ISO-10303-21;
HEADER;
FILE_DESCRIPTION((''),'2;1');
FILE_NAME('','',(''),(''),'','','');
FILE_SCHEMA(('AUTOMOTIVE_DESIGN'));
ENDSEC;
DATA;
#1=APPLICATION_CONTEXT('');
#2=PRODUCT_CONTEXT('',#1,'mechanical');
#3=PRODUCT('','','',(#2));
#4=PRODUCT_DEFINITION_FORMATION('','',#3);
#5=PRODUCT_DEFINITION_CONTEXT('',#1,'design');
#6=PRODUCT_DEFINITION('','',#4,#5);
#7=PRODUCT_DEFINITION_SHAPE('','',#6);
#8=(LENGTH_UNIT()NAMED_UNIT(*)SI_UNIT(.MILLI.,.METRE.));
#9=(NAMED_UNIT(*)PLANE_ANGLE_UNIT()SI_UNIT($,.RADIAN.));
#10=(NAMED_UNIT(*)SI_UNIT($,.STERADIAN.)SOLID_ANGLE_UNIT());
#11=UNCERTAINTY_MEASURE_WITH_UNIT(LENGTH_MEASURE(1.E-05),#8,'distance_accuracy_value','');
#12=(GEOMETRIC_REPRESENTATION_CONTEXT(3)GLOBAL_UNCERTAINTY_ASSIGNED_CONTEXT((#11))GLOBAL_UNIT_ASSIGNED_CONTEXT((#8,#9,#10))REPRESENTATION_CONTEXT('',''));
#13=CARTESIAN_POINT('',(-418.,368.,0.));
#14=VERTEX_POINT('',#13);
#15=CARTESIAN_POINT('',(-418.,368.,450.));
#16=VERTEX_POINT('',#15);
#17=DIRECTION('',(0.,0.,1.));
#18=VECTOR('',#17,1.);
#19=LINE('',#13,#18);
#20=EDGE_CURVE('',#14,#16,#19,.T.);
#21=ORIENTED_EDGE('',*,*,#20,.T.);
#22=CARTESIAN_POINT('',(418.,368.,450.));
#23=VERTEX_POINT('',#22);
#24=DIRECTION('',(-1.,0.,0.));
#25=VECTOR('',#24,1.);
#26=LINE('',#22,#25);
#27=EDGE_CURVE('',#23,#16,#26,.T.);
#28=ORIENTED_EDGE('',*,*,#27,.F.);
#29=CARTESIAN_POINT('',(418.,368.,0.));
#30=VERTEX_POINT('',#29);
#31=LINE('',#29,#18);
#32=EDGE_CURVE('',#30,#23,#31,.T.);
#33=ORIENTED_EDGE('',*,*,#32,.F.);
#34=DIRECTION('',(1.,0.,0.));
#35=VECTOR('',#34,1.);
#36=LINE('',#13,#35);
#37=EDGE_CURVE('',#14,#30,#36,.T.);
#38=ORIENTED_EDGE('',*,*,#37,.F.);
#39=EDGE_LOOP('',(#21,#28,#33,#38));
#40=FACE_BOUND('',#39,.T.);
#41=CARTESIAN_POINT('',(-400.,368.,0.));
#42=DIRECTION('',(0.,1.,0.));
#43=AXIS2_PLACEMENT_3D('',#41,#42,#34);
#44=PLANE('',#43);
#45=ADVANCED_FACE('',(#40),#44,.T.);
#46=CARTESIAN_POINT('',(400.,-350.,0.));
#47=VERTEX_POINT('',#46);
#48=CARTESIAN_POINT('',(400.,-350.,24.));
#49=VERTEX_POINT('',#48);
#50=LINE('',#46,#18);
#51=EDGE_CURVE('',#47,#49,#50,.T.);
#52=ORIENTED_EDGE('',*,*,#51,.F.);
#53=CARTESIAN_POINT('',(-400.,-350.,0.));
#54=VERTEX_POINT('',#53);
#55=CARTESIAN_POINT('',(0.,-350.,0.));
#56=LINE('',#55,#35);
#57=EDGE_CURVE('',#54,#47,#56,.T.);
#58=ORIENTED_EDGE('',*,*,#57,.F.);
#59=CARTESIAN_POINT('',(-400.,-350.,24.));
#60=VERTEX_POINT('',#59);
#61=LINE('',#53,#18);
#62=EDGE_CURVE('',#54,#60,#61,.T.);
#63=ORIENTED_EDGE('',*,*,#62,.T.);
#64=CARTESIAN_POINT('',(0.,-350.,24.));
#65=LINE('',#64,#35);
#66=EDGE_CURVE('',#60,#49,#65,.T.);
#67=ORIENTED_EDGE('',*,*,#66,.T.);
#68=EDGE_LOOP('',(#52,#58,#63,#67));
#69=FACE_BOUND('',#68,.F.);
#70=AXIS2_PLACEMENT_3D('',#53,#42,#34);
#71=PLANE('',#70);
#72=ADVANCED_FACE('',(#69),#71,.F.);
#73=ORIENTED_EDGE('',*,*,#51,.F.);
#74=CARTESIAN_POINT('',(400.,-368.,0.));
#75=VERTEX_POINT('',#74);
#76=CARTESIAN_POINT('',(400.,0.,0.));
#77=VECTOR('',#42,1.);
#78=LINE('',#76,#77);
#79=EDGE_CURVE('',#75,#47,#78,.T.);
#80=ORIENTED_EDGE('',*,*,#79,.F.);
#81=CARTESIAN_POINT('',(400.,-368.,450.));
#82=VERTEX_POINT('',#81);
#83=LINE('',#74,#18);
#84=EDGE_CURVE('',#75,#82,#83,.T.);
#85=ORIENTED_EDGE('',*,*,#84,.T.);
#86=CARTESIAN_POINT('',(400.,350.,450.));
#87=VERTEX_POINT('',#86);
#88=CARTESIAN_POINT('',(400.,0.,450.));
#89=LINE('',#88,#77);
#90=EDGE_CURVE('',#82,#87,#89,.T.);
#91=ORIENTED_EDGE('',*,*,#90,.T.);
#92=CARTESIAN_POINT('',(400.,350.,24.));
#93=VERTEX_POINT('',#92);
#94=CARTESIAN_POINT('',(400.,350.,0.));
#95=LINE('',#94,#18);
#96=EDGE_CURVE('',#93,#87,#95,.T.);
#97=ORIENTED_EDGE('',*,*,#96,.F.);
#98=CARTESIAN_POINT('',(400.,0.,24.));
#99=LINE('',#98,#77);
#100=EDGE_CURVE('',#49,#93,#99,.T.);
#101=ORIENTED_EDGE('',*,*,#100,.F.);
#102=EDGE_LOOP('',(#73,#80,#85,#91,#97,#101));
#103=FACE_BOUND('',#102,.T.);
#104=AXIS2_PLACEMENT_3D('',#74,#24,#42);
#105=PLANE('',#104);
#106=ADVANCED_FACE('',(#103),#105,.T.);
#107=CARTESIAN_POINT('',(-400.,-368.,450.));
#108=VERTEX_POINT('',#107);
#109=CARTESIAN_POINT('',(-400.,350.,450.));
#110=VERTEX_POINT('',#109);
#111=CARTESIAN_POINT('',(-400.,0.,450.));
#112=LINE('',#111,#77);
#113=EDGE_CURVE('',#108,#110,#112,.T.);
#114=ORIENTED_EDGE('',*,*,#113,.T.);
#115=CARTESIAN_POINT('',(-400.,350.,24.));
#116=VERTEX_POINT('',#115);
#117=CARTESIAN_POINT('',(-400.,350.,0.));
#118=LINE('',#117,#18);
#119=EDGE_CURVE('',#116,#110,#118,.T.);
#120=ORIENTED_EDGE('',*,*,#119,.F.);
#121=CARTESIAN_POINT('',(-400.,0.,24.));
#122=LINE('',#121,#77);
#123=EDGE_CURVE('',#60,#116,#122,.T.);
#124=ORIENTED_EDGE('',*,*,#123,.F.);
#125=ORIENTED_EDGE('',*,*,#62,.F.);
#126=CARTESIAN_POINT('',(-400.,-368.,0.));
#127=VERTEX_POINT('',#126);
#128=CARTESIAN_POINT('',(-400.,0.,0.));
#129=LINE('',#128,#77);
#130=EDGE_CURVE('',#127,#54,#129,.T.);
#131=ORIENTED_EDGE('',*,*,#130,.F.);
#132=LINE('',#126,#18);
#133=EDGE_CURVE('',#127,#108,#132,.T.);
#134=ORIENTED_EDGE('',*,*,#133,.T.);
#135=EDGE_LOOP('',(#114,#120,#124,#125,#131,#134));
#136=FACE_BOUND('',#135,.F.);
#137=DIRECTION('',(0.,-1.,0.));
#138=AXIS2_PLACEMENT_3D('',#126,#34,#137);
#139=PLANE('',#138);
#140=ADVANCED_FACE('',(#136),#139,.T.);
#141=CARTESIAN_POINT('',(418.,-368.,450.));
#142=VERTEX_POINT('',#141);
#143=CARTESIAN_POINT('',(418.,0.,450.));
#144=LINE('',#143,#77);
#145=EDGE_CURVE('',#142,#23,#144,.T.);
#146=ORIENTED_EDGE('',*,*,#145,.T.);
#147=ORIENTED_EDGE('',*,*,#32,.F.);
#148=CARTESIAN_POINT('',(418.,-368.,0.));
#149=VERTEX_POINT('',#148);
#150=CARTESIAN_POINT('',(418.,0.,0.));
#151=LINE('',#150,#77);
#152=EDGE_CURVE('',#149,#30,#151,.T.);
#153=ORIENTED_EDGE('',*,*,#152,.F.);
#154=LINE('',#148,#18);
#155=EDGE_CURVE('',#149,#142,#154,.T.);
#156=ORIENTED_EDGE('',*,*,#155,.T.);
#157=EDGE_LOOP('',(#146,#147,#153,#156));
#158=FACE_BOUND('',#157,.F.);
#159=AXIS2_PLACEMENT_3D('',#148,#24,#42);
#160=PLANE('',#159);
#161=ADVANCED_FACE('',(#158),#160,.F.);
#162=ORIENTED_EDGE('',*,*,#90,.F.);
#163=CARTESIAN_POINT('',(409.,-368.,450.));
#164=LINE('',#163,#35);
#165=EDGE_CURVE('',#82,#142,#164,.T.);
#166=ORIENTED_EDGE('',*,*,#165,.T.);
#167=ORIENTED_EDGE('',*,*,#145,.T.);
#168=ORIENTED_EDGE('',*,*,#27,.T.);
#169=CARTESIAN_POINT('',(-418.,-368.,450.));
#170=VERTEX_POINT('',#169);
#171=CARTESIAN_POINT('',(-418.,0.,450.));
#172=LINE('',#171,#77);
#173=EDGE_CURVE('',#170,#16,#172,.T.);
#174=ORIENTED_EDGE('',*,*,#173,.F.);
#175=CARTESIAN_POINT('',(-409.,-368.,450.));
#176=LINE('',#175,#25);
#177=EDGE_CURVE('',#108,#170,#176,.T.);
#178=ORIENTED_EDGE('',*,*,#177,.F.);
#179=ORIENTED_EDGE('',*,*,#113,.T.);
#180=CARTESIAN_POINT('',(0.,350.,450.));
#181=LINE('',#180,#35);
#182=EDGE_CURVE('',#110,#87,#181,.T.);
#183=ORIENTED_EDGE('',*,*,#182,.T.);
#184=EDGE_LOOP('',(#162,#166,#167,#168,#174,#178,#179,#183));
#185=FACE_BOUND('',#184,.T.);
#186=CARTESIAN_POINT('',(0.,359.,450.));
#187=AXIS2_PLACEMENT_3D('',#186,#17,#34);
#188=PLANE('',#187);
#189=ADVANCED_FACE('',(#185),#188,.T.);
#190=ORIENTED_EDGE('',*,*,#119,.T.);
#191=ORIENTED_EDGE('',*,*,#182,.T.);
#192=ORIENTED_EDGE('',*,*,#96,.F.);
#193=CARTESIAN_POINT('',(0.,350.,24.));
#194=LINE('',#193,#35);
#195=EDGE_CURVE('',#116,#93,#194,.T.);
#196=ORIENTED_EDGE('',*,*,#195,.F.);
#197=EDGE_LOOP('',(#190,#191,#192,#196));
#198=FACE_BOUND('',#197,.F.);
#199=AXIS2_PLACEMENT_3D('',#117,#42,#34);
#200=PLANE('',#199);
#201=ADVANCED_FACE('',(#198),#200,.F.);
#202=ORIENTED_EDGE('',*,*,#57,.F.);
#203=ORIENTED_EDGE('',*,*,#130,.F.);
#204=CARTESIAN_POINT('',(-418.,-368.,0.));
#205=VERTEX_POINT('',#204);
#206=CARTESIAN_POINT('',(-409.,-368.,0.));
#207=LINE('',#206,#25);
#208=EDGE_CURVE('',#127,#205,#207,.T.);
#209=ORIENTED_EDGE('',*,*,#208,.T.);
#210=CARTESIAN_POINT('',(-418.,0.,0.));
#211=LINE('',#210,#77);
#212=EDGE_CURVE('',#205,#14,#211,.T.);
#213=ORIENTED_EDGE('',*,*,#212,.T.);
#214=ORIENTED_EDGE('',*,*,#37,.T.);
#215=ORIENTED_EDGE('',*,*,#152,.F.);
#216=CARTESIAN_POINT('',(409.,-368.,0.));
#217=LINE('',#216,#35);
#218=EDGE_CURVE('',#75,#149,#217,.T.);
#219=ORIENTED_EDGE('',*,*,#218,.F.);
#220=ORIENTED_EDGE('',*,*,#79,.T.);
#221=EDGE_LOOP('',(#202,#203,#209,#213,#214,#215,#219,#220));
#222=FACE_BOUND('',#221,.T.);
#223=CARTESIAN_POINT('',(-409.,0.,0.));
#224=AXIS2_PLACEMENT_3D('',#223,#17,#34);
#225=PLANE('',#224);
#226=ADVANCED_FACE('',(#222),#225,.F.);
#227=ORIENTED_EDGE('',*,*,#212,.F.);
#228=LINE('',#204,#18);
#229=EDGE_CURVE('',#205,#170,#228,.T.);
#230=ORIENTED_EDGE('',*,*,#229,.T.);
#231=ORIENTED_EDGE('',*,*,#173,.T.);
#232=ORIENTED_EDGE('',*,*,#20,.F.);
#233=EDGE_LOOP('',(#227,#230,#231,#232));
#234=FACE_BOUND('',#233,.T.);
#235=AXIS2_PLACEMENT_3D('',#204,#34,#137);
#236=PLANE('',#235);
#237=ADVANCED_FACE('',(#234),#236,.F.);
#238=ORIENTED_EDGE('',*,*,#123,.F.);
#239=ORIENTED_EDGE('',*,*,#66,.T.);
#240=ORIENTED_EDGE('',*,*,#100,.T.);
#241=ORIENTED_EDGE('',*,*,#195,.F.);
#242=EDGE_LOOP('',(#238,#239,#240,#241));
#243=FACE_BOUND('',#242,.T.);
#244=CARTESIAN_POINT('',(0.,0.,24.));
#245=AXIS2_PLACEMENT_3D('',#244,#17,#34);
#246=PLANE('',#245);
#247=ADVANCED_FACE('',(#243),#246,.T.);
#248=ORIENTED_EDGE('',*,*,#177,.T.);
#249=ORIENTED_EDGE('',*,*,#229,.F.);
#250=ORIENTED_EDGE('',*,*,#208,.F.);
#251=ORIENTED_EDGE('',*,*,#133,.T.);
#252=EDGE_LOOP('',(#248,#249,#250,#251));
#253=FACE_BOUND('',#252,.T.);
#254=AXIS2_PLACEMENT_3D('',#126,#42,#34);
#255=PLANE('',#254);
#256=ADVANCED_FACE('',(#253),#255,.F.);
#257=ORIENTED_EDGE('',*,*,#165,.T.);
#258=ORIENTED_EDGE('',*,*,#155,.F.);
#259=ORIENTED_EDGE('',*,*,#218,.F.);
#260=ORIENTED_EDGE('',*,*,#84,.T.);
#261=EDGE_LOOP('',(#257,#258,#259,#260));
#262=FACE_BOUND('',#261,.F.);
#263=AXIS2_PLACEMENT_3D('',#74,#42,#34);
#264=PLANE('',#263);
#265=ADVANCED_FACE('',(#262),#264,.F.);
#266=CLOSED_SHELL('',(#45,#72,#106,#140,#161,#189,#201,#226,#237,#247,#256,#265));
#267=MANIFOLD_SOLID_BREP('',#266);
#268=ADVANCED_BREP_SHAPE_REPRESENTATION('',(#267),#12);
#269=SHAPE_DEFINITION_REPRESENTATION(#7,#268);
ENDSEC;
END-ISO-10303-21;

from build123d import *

# Parameters (mm, degrees)
F0_W     = 800
F0_H     = 700
F1_DEPTH = 24
F2_W     = 18
F2_H     = 736
F3_DEPTH = 450
F4_W     = 800
F4_H     = 18
F6_DEPTH = 450


with BuildPart() as f1:
    # F0 (on Top) → F1 (new body)
    with BuildSketch(Plane.XY):
        Rectangle(F0_W, F0_H)
    extrude(amount=F1_DEPTH)

    # F2 (on Top) → F3 (join)
    with BuildSketch(Plane.XY):
        with Locations((409, 0)):
            Rectangle(F2_W, F2_H)
    extrude(amount=F3_DEPTH)

    # F5: F1 across plane


with BuildPart() as f1_1:
    add(f1.part)
    add(f1.part.mirror(Plane.YZ))

    # F4 (on Top) → F6 (join)
    with BuildSketch(Plane.XY):
        with Locations((0, 359)):
            Rectangle(F4_W, F4_H)
    extrude(amount=F6_DEPTH)


solid = f1_1.part
